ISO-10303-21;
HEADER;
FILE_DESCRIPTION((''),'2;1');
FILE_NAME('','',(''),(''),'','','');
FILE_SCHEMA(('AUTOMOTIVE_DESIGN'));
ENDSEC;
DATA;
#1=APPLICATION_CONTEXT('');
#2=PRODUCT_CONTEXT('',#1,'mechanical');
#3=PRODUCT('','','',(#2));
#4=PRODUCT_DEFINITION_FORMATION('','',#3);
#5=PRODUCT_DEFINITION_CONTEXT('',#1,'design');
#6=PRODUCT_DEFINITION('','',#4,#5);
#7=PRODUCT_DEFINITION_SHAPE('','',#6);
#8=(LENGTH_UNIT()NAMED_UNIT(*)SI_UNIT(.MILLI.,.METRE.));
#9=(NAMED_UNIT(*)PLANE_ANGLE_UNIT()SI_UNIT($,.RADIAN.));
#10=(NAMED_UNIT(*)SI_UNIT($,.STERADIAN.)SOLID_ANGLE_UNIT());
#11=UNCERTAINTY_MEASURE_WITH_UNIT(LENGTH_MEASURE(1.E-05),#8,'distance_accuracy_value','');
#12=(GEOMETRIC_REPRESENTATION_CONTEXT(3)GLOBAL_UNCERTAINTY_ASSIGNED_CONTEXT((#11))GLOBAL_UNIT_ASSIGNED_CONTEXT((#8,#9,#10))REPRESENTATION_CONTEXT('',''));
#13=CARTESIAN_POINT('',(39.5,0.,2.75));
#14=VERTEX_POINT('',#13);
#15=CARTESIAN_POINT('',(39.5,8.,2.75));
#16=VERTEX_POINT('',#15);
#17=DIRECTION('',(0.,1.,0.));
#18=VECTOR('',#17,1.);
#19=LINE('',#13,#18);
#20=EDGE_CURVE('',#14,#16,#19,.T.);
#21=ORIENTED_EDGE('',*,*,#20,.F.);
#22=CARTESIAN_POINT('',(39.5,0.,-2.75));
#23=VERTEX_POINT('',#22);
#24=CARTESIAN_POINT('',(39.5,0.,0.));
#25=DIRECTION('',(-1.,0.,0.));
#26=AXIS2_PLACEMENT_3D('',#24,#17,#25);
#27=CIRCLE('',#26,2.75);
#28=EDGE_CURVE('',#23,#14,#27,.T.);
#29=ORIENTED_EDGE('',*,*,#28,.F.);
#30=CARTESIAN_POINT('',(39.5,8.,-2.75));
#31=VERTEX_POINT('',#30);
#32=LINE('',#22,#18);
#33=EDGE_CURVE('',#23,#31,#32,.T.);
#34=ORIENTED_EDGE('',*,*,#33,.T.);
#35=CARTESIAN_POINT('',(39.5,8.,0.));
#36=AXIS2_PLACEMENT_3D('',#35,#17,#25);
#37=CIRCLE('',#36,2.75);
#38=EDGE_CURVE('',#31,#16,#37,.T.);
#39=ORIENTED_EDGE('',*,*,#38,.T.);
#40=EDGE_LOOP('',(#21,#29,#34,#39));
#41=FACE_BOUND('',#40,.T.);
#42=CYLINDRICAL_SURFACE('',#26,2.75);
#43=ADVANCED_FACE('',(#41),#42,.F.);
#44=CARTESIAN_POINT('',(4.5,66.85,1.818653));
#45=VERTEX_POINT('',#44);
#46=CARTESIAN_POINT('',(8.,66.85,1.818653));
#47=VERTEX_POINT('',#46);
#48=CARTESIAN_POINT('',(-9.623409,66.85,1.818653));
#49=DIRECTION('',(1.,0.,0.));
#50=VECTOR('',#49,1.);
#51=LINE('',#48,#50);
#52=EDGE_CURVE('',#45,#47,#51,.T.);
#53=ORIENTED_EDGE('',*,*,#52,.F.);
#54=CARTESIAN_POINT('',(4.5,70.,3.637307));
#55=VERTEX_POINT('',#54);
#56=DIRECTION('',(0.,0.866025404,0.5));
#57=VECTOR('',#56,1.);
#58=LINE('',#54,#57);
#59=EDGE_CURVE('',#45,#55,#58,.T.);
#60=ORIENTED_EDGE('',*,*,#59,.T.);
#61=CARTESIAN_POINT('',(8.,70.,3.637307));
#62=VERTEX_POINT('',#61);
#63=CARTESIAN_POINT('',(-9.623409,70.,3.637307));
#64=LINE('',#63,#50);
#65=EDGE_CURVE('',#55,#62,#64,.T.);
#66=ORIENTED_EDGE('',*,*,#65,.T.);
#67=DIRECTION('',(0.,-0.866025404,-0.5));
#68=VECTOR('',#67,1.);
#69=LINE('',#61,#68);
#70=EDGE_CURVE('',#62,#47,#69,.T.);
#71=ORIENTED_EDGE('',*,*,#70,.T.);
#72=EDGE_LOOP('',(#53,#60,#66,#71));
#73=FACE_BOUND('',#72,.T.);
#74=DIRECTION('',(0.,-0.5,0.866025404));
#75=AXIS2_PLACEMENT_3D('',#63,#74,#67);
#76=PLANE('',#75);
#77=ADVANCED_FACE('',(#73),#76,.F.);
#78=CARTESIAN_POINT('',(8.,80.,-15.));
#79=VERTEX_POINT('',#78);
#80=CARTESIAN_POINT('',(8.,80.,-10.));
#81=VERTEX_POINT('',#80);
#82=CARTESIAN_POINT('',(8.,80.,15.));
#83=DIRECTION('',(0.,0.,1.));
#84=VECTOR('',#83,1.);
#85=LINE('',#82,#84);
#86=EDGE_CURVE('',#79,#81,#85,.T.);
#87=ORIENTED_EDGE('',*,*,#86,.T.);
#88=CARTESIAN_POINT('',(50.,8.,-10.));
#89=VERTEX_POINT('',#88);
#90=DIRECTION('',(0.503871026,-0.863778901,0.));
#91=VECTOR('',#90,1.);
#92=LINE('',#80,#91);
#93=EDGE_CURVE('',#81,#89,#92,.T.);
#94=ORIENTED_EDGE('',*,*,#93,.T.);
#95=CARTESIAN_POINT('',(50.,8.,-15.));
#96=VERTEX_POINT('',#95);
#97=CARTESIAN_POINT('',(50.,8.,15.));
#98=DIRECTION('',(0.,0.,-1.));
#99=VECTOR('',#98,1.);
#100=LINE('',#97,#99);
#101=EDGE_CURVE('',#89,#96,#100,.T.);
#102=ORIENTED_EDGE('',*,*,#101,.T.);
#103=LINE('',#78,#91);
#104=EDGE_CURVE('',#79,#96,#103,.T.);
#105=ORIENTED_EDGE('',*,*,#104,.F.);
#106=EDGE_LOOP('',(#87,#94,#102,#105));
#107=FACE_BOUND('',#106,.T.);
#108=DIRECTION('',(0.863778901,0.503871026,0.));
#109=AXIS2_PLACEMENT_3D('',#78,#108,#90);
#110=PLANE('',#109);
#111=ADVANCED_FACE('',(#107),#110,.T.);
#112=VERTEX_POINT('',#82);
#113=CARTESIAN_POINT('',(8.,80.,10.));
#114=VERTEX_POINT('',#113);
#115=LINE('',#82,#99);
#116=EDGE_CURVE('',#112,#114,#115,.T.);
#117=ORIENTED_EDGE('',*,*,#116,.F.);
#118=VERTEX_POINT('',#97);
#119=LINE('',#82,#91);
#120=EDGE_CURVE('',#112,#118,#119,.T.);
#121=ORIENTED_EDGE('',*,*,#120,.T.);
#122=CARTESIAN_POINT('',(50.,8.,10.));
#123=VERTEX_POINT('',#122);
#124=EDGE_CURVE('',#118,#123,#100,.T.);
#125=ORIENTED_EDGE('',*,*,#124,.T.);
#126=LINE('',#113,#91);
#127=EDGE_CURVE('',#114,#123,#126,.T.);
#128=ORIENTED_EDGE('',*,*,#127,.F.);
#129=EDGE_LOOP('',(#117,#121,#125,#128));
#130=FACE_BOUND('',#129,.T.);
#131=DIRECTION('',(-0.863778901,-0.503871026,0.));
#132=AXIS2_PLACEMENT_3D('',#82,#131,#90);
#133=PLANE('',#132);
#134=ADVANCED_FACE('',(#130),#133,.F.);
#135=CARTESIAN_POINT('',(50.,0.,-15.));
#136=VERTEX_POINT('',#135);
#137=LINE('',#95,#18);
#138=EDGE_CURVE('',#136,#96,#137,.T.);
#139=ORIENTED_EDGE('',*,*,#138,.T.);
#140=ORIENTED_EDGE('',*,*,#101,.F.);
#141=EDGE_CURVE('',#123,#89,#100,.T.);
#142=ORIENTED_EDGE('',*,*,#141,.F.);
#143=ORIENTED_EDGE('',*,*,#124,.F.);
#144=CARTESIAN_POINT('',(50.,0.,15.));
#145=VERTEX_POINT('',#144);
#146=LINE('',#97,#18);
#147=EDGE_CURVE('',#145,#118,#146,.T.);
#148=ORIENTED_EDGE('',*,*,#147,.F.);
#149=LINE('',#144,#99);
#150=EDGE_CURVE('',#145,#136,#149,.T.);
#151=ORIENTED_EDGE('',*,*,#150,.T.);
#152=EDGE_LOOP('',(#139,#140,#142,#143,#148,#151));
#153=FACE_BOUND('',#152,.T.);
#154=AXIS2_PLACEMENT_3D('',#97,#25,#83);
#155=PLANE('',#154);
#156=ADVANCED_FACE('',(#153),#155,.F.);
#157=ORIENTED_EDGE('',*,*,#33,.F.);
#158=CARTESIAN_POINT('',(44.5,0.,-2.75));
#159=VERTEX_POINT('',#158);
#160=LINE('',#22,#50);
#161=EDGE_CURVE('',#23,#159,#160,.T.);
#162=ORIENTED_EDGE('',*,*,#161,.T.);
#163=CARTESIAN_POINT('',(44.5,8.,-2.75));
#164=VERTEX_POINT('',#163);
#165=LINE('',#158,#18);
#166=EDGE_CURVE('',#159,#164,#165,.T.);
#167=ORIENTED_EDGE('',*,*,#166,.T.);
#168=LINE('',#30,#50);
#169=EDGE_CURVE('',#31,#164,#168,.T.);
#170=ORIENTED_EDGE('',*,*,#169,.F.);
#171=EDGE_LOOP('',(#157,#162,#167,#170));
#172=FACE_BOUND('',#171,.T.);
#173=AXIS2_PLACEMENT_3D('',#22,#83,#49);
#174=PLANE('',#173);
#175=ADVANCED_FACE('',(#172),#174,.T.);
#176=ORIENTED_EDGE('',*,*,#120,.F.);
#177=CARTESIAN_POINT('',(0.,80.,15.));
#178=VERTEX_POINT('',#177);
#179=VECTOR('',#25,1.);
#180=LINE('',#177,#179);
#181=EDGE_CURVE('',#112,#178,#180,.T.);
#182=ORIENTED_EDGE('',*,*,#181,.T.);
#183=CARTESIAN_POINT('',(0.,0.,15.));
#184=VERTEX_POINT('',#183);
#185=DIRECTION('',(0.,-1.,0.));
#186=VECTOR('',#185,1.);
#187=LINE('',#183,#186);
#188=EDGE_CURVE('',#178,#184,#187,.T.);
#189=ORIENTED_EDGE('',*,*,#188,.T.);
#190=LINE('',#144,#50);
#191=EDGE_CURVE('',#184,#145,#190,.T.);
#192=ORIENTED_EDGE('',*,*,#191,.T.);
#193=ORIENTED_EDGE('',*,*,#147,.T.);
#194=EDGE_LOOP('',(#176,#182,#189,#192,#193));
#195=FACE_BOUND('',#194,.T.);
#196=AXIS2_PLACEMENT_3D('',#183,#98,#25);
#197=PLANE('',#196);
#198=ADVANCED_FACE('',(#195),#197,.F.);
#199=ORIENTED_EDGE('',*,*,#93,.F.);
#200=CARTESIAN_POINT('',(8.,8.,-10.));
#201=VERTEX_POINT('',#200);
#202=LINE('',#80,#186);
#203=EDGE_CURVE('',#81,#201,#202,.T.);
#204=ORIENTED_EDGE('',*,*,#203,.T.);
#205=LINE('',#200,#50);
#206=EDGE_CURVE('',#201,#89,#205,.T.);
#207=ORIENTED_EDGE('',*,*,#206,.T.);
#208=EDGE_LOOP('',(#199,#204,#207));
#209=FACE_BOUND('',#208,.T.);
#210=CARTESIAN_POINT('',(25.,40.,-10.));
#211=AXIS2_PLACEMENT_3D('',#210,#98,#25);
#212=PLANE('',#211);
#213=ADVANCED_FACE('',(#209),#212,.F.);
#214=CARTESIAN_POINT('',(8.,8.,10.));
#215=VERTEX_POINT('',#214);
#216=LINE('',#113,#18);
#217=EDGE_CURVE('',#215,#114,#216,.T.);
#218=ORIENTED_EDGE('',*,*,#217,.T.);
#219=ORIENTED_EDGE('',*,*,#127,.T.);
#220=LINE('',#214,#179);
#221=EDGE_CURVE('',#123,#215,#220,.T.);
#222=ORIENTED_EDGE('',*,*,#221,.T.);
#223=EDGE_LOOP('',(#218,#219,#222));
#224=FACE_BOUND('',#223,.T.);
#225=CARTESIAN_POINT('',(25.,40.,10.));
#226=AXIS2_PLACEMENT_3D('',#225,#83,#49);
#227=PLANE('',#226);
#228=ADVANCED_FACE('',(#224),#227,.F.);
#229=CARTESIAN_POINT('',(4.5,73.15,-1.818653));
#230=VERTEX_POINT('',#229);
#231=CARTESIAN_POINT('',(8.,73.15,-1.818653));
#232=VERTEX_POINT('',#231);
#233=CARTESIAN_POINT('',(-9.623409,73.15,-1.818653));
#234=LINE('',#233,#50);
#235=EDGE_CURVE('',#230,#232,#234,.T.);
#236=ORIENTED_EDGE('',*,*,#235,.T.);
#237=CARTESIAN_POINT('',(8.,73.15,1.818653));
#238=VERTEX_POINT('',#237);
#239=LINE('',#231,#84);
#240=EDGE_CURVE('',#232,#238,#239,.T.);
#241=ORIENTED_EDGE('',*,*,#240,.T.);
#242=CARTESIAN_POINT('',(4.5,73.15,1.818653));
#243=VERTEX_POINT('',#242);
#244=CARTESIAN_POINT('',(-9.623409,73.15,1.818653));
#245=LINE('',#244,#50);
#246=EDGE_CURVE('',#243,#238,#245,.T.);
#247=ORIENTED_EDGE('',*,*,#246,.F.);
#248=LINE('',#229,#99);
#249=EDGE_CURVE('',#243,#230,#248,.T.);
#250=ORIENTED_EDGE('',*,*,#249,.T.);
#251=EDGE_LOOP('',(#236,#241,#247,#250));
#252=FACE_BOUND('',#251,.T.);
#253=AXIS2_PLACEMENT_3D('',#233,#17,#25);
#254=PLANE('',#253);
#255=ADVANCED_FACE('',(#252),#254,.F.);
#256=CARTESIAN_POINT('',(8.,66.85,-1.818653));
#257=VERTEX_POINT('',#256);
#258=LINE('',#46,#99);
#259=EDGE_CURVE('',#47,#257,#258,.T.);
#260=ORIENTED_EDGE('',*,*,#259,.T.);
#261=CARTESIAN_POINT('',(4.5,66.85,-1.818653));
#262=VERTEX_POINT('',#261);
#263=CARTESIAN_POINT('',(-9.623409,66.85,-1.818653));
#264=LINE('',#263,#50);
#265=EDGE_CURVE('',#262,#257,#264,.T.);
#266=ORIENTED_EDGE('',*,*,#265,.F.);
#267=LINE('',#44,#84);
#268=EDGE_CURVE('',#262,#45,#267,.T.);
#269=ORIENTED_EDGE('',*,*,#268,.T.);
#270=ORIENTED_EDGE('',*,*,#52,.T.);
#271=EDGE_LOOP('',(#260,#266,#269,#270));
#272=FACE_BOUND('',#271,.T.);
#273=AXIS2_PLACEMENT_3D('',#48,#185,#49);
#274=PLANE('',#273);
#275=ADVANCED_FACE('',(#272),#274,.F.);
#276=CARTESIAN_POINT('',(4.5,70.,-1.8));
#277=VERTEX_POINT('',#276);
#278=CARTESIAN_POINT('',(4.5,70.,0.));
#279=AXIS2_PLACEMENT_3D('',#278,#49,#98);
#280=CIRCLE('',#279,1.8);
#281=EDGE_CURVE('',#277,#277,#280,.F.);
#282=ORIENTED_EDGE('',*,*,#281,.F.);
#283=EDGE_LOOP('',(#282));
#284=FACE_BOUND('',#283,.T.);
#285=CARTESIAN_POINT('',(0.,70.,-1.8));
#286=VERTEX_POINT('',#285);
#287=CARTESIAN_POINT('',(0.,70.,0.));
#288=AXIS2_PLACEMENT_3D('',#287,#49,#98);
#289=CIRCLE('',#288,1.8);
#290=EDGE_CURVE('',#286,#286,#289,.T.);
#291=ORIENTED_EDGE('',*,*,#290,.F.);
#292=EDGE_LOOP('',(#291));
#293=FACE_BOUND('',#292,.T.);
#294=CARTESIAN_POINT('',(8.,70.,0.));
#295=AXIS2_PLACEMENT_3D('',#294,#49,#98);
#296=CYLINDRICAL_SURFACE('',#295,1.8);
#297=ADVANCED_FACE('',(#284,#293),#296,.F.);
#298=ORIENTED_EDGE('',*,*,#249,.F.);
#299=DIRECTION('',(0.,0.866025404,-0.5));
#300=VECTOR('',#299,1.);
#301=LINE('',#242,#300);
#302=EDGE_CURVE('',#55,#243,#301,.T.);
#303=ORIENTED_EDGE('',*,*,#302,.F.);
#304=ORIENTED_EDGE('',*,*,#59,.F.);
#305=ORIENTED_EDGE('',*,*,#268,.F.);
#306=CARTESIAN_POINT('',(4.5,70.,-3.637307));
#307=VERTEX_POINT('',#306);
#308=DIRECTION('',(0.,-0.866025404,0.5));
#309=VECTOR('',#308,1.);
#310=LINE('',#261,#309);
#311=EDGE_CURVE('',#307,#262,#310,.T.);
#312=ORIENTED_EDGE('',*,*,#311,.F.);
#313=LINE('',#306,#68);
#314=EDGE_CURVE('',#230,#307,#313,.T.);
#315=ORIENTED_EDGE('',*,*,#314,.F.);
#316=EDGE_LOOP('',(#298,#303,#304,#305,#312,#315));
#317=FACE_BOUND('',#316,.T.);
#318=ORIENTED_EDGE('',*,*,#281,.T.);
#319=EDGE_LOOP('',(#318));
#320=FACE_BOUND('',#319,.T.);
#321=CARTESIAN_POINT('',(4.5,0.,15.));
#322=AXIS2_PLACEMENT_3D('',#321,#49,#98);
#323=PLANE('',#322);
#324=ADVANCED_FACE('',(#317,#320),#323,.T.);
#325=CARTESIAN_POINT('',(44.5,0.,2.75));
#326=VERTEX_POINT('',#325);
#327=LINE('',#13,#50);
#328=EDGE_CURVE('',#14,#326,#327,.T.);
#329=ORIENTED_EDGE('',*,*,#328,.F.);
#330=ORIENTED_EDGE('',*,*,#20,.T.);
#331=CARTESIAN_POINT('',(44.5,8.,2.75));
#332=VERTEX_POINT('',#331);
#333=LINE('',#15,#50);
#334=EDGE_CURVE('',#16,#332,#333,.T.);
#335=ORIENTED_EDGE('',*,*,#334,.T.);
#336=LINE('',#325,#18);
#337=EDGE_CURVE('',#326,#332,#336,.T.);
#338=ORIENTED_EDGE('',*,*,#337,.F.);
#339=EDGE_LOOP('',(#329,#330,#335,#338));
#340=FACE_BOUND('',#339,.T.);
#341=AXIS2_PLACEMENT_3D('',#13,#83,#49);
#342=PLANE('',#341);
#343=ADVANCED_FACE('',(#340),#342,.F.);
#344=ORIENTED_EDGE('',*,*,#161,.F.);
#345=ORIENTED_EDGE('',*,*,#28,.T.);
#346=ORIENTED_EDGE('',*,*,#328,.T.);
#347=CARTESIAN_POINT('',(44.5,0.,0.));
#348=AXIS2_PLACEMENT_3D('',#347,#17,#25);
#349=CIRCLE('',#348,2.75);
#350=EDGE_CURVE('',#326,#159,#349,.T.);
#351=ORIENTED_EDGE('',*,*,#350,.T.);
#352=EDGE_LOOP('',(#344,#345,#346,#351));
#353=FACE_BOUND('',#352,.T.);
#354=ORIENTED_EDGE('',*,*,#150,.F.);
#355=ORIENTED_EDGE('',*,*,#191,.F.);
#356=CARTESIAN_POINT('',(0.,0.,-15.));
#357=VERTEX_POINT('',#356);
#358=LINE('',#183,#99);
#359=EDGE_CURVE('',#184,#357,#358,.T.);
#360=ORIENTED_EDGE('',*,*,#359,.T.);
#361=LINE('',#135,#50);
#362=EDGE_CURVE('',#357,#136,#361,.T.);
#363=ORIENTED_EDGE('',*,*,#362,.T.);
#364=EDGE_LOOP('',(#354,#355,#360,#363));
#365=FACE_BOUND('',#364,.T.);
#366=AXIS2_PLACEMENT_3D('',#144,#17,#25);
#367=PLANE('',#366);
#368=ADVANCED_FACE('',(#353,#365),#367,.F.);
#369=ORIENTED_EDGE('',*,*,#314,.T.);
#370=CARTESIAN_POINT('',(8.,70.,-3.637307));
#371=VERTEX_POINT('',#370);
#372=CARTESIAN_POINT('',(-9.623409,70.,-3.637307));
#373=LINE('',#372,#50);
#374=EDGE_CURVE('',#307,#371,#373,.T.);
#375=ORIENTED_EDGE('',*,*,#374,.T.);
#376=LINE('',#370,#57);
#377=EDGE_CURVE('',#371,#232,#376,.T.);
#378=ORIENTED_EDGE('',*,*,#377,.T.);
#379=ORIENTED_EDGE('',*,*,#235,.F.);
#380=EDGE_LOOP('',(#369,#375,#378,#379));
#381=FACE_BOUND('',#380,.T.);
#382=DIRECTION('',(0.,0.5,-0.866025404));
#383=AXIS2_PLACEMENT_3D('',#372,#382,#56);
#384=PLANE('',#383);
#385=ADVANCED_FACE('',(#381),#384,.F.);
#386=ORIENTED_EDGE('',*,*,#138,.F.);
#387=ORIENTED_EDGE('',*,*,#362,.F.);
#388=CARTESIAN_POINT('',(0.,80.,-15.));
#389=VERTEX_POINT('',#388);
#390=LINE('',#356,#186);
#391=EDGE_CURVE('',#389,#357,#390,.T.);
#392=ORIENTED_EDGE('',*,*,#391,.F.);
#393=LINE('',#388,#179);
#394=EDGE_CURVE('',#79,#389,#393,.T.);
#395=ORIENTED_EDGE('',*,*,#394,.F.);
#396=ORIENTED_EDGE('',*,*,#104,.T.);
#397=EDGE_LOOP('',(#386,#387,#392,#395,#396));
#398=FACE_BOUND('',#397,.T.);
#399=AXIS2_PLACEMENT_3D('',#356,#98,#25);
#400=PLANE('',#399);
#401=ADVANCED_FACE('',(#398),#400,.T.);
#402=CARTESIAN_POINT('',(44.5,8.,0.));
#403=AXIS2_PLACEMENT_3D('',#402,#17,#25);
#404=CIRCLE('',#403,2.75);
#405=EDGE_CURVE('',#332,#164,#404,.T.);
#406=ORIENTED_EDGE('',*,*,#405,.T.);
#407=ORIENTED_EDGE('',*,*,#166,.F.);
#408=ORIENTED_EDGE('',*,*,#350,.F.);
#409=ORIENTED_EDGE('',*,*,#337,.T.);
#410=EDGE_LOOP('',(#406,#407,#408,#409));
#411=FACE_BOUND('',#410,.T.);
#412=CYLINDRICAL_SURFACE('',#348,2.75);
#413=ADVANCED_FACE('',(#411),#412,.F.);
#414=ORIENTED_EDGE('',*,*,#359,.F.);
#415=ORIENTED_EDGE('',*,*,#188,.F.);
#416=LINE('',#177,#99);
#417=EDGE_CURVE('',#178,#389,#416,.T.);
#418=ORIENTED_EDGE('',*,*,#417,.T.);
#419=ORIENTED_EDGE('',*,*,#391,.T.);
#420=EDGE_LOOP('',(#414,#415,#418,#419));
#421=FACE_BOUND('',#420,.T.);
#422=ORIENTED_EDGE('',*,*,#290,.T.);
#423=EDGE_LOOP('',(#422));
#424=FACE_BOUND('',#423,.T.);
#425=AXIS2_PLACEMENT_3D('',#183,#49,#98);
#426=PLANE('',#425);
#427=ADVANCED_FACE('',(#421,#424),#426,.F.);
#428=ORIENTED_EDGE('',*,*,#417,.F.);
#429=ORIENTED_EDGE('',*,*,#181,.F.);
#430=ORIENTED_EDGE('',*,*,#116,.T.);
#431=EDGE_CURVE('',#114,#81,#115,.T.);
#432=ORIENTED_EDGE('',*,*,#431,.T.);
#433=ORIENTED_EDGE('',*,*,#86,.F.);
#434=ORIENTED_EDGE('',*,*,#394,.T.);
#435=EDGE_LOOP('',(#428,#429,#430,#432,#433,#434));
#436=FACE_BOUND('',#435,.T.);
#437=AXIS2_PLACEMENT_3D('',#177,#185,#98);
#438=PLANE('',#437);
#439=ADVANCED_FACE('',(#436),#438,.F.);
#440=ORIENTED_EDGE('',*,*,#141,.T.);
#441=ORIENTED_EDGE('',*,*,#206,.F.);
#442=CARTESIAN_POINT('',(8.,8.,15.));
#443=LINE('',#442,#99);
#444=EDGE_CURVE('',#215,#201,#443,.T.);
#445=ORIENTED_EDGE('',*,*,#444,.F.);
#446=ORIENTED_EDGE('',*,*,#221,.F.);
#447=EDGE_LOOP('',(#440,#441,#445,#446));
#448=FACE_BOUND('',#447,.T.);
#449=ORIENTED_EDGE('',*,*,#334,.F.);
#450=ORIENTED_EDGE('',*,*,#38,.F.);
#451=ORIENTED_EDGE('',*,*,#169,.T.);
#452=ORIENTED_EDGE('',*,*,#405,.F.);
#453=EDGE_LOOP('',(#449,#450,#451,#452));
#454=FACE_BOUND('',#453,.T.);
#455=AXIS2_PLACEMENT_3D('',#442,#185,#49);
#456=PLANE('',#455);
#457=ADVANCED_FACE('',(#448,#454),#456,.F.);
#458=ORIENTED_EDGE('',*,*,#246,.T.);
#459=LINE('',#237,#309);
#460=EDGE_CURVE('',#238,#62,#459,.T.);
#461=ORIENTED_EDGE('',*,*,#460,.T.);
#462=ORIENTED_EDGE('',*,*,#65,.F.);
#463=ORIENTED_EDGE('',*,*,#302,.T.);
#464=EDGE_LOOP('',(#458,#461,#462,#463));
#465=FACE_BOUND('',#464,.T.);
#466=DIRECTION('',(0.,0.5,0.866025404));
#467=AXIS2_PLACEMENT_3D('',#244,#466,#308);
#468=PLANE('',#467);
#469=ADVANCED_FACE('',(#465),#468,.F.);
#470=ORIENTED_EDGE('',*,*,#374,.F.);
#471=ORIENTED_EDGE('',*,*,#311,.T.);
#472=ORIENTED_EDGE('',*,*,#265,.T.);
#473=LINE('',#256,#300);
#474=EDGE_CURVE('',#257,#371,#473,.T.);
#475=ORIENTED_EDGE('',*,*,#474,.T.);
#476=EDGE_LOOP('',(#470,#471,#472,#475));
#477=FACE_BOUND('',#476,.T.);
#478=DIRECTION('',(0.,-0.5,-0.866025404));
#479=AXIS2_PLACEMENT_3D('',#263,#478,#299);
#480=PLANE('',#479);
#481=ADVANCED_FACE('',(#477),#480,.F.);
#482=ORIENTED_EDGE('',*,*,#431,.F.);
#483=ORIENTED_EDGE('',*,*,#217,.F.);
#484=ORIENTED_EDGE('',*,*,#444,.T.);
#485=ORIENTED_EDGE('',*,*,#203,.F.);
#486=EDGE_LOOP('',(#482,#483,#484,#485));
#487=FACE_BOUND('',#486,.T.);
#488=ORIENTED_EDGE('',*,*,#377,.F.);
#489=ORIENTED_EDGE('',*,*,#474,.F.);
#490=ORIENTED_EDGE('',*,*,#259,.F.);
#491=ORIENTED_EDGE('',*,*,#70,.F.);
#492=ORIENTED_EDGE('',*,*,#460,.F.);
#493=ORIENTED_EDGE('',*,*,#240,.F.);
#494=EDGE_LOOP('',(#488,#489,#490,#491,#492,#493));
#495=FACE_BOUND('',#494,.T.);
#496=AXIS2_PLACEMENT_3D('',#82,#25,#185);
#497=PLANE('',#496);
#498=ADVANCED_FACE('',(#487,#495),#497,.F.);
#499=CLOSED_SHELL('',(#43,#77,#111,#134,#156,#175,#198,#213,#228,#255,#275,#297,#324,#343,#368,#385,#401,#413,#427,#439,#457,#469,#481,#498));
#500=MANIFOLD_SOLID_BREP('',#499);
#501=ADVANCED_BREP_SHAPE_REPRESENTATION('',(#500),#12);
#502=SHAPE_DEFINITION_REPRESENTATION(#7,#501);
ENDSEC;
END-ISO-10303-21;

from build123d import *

# Parameters (mm, degrees)
BOSS_EXTRUDE1_DEPTH  = 15
RIB1_REACH           = 100.995
SKETCH2_WALL_W       = 283.344562668
SKETCH2_WALL_H       = 5
M3_CLEARANCE_HOLE1_D = 3.6
CUT_EXTRUDE2_DEPTH   = 3.5
CUT_EXTRUDE3_DEPTH   = 89.932558717


with BuildPart() as part:
    # Sketch1 → Boss-Extrude1 (new, symmetric)
    with BuildSketch(Plane.XY):
        Polygon((0, 0), (0, 80), (8, 80), (8, 8), (50, 8), (50, 0), align=None)
    extrude(amount=BOSS_EXTRUDE1_DEPTH, both=True)

    # Sketch2 wall → Rib1 (add, up to next)
    with BuildSketch(Plane(origin=(29, 44, 15), x_dir=(0.503871025524, -0.863778900898, 0), z_dir=(0.863778900898, 0.503871025524, 0)), mode=Mode.PRIVATE) as rib1_sk1:
        with Locations((0, 2.5)):
            Rectangle(SKETCH2_WALL_W, SKETCH2_WALL_H)
    rib1_tool1 = extrude(rib1_sk1.sketch, amount=-RIB1_REACH, mode=Mode.PRIVATE) - part.part
    rib1 = rib1_tool1.solids().sort_by_distance((29, 44, 15))[0]
    add(rib1)

    # Mirror1: Rib1 across plane
    add(rib1.mirror(Plane.XY))

    # M3 Clearance Hole1 (through all)
    with Locations(Plane(origin=(8, 0, 0), x_dir=(0, 0, -1), z_dir=(1, 0, 0))):
        with Locations((0, 70)):
            Hole(M3_CLEARANCE_HOLE1_D / 2)

    # Sketch6 → Cut-Extrude2 (cut)
    with BuildSketch(Plane(origin=(8, 0, 0), x_dir=(0, 0, -1), z_dir=(1, 0, 0))):
        Polygon((3.637306696, 70), (1.818653348, 73.15), (-1.818653348, 73.15), (-3.637306696, 70), (-1.818653348, 66.85), (1.818653348, 66.85), align=None)
    extrude(amount=-CUT_EXTRUDE2_DEPTH, mode=Mode.SUBTRACT)

    # Sketch7 → Cut-Extrude3 (cut, through all)
    with BuildSketch(Plane(origin=(0, 8, 0), x_dir=(1, 0, 0), z_dir=(0, 1, 0))):
        with BuildLine():
            Line((39.5, 2.75), (44.5, 2.75))
            ThreePointArc((44.5, 2.75), (47.25, 0), (44.5, -2.75))
            Line((44.5, -2.75), (39.5, -2.75))
            ThreePointArc((39.5, -2.75), (36.75, 0), (39.5, 2.75))
        make_face()
    extrude(amount=-CUT_EXTRUDE3_DEPTH, mode=Mode.SUBTRACT)


solid = part.part
